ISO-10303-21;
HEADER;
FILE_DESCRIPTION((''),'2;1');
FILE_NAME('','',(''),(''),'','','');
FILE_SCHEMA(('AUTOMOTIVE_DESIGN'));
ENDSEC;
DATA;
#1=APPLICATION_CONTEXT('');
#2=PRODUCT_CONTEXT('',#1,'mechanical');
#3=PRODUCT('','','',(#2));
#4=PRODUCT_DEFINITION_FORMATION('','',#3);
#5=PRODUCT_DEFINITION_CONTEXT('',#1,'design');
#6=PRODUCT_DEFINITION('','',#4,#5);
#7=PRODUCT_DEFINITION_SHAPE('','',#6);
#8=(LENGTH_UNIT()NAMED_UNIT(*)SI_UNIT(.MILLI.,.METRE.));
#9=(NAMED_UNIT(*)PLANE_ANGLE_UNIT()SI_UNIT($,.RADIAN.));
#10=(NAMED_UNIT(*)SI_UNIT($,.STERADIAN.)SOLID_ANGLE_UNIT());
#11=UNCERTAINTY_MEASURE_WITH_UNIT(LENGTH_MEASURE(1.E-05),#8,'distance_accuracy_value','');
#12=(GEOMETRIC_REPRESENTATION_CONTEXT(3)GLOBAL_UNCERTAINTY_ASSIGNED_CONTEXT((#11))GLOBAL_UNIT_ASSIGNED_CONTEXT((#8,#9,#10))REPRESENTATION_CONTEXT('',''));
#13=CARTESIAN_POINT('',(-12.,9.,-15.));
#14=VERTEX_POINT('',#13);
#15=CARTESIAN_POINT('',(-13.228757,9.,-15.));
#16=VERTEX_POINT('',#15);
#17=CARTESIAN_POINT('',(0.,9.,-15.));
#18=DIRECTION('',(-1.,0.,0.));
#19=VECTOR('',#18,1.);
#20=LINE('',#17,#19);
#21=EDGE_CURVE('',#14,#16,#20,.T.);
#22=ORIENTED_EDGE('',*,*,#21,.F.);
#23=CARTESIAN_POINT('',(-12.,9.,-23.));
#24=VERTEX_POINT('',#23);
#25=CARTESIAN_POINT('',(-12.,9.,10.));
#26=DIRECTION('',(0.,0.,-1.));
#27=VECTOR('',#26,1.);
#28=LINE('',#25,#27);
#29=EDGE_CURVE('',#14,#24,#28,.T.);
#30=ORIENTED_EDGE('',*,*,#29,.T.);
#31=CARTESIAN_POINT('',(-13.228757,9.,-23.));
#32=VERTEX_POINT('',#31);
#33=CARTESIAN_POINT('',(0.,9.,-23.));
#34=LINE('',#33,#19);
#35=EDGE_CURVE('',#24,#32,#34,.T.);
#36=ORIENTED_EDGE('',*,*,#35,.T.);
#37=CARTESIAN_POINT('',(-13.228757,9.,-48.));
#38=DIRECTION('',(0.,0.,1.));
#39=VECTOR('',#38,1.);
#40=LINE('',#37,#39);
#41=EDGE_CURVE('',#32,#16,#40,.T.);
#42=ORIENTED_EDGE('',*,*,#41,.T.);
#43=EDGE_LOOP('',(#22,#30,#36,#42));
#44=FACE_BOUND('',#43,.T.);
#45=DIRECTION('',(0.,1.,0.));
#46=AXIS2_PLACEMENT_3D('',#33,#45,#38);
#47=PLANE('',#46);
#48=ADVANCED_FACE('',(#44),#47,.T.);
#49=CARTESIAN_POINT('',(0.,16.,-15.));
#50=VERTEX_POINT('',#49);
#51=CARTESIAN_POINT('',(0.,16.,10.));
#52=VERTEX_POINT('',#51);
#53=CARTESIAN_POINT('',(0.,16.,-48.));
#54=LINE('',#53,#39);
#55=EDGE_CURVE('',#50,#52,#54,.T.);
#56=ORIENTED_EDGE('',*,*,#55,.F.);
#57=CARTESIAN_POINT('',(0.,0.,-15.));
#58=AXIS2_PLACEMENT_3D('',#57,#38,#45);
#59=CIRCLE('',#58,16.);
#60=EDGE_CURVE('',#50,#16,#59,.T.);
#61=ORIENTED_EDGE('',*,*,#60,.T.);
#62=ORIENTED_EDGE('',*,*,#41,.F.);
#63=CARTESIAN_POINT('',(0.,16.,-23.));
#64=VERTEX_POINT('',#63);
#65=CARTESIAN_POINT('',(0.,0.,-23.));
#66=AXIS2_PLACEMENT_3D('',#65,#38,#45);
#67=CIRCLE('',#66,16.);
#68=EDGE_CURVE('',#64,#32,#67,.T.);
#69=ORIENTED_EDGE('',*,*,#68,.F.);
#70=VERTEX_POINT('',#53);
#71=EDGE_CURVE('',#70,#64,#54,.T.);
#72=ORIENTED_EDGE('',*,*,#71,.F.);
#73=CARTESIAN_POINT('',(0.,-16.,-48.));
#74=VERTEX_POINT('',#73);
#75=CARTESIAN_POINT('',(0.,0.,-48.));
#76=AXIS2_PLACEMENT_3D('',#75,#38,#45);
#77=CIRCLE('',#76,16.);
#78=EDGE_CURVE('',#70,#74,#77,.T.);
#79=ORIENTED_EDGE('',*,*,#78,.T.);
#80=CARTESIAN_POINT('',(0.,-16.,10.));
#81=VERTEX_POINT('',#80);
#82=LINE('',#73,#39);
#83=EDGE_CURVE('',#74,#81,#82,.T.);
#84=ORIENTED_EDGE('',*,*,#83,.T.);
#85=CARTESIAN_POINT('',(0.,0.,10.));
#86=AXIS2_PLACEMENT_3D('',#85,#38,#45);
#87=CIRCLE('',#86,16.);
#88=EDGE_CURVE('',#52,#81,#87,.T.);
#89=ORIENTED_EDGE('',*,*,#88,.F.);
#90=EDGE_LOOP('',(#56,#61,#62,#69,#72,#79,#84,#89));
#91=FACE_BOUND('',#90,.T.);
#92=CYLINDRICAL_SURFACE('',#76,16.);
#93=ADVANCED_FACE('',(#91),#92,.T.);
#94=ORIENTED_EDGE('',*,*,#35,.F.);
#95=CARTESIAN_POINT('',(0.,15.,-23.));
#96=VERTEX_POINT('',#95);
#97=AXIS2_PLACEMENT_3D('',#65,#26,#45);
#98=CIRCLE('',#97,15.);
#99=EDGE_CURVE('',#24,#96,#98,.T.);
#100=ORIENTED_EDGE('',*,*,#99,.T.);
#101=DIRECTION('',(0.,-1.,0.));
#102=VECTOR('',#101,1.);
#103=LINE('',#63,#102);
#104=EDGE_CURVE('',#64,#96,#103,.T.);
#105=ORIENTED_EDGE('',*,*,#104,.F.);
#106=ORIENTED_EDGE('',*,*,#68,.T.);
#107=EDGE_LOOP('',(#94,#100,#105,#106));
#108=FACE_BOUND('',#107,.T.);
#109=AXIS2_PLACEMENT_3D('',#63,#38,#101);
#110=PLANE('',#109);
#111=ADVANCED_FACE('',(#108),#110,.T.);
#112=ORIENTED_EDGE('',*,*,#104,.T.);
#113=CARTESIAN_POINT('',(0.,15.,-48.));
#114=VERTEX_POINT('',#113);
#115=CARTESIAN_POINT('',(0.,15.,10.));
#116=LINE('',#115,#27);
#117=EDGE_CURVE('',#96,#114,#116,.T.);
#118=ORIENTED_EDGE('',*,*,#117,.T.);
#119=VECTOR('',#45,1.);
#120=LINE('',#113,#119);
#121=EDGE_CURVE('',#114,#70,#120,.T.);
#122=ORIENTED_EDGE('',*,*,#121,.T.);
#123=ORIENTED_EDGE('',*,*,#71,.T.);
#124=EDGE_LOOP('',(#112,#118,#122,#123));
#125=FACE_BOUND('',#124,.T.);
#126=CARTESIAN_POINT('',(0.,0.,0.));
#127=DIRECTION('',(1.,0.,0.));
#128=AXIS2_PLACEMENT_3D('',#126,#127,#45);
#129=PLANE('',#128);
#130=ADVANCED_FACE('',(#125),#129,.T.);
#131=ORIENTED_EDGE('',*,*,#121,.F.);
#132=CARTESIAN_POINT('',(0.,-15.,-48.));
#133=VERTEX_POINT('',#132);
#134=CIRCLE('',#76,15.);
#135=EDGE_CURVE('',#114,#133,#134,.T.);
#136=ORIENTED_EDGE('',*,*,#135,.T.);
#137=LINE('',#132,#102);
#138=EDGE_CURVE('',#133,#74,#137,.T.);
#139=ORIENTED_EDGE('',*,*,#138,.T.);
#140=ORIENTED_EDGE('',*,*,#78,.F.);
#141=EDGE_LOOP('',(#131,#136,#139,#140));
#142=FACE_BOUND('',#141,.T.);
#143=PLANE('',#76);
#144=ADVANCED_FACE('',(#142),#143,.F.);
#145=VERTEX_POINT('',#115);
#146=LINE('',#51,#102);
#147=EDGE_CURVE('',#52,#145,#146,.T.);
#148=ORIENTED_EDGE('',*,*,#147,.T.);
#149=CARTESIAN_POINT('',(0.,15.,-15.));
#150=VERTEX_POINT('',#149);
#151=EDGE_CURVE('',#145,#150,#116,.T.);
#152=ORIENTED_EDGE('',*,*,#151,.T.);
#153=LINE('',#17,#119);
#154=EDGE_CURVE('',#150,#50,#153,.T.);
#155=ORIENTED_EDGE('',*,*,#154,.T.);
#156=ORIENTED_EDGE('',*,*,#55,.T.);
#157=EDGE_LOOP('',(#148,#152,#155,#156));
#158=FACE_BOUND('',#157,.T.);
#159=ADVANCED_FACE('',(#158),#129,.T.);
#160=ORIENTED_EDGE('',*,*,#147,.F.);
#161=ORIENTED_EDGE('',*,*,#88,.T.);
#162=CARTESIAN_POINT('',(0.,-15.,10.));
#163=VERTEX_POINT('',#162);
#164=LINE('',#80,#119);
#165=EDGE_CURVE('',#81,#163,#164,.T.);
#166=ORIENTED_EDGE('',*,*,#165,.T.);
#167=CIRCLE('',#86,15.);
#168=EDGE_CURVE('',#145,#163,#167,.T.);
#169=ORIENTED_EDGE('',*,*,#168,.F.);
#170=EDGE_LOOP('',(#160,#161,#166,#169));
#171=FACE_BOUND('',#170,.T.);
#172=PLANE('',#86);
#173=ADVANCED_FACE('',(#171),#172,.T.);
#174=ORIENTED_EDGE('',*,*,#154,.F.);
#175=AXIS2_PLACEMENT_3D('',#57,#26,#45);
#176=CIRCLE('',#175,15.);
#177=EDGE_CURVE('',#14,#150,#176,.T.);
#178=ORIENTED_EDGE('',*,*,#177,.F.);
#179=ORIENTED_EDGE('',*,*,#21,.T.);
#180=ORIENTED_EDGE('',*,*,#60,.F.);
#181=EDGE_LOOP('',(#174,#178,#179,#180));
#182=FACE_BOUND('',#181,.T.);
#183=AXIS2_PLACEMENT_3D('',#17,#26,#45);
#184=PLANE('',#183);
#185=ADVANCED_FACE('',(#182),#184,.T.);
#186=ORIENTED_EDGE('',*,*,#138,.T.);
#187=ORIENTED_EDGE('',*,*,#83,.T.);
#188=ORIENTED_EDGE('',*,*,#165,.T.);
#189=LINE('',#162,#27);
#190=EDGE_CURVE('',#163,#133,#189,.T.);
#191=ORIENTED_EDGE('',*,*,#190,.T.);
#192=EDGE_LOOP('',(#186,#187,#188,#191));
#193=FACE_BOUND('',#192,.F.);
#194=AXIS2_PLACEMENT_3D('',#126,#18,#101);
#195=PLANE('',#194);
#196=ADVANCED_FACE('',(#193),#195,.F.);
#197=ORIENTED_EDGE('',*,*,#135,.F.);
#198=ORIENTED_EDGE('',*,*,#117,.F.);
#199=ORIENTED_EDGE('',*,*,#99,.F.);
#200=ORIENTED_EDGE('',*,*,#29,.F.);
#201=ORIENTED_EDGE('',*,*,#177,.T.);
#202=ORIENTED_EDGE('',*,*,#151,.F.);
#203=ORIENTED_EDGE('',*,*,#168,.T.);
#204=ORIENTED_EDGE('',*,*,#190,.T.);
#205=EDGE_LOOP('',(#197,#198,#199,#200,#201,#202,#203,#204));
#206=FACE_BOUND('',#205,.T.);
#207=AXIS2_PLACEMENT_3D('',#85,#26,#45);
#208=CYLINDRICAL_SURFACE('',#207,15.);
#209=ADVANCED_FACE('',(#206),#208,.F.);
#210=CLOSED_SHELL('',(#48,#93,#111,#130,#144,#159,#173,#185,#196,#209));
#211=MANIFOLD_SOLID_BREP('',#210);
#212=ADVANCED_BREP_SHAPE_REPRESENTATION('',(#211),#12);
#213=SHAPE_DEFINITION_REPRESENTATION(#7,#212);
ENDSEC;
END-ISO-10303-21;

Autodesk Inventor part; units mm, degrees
ref_plane "YZ Plane" through (0, 0, 0) normal (1, 0, 0) x (0, 1, 0)
ref_plane "XZ Plane" through (0, 0, 0) normal (0, 1, 0) x (-1, 0, 0)
ref_plane "XY Plane" through (0, 0, 0) normal (0, 0, 1) x (1, 0, 0)
sketch "スケッチ1" plane through (0, 0, 0) normal (1, 0, 0) x (0, 1, 0)
  line L0 (0, 0) -> (15, 0) construction
  line L1 (15, 0) -> (15, -48) construction
  line L2 (15, -48) -> (16, -48)
  line L3 (16, -48) -> (16, 10)
  line L4 (16, 10) -> (15, 10)
  line L5 (15, 10) -> (15, -48)
  line L6 (0, -59.6) -> (0, 21.6) projected
  dimension "d0" = 15
  dimension "d2" = 1
  dimension "d3" = 58
revolve "回転1" add sketch "スケッチ1" angle 180 about axis through (0, 0, -10) along (0, 0, 1)
sketch "スケッチ2" plane through (0, 15, 10) normal (1, 0, 0) x (0, 0, -1)
  line L0 (58, 1) -> (0, 1) projected
  line L1 (0, 1) -> (25, 1)
  line L2 (25, 1) -> (33, 1)
  line L3 (33, 1) -> (33, -6)
  line L4 (33, -6) -> (25, -6)
  line L5 (25, -6) -> (25, 1)
  line L6 (0, 1) -> (0, 0) projected
  point P0 (10, -15)
  point P1 (33, 1)
  dimension "d6" = 8
  dimension "d7" = 7
  dimension "d10" = 25
extrude "押し出し1" cut sketch "スケッチ2" against normal through all
properties part number "cover-pipe_L58" material "ステンレス鋼"
